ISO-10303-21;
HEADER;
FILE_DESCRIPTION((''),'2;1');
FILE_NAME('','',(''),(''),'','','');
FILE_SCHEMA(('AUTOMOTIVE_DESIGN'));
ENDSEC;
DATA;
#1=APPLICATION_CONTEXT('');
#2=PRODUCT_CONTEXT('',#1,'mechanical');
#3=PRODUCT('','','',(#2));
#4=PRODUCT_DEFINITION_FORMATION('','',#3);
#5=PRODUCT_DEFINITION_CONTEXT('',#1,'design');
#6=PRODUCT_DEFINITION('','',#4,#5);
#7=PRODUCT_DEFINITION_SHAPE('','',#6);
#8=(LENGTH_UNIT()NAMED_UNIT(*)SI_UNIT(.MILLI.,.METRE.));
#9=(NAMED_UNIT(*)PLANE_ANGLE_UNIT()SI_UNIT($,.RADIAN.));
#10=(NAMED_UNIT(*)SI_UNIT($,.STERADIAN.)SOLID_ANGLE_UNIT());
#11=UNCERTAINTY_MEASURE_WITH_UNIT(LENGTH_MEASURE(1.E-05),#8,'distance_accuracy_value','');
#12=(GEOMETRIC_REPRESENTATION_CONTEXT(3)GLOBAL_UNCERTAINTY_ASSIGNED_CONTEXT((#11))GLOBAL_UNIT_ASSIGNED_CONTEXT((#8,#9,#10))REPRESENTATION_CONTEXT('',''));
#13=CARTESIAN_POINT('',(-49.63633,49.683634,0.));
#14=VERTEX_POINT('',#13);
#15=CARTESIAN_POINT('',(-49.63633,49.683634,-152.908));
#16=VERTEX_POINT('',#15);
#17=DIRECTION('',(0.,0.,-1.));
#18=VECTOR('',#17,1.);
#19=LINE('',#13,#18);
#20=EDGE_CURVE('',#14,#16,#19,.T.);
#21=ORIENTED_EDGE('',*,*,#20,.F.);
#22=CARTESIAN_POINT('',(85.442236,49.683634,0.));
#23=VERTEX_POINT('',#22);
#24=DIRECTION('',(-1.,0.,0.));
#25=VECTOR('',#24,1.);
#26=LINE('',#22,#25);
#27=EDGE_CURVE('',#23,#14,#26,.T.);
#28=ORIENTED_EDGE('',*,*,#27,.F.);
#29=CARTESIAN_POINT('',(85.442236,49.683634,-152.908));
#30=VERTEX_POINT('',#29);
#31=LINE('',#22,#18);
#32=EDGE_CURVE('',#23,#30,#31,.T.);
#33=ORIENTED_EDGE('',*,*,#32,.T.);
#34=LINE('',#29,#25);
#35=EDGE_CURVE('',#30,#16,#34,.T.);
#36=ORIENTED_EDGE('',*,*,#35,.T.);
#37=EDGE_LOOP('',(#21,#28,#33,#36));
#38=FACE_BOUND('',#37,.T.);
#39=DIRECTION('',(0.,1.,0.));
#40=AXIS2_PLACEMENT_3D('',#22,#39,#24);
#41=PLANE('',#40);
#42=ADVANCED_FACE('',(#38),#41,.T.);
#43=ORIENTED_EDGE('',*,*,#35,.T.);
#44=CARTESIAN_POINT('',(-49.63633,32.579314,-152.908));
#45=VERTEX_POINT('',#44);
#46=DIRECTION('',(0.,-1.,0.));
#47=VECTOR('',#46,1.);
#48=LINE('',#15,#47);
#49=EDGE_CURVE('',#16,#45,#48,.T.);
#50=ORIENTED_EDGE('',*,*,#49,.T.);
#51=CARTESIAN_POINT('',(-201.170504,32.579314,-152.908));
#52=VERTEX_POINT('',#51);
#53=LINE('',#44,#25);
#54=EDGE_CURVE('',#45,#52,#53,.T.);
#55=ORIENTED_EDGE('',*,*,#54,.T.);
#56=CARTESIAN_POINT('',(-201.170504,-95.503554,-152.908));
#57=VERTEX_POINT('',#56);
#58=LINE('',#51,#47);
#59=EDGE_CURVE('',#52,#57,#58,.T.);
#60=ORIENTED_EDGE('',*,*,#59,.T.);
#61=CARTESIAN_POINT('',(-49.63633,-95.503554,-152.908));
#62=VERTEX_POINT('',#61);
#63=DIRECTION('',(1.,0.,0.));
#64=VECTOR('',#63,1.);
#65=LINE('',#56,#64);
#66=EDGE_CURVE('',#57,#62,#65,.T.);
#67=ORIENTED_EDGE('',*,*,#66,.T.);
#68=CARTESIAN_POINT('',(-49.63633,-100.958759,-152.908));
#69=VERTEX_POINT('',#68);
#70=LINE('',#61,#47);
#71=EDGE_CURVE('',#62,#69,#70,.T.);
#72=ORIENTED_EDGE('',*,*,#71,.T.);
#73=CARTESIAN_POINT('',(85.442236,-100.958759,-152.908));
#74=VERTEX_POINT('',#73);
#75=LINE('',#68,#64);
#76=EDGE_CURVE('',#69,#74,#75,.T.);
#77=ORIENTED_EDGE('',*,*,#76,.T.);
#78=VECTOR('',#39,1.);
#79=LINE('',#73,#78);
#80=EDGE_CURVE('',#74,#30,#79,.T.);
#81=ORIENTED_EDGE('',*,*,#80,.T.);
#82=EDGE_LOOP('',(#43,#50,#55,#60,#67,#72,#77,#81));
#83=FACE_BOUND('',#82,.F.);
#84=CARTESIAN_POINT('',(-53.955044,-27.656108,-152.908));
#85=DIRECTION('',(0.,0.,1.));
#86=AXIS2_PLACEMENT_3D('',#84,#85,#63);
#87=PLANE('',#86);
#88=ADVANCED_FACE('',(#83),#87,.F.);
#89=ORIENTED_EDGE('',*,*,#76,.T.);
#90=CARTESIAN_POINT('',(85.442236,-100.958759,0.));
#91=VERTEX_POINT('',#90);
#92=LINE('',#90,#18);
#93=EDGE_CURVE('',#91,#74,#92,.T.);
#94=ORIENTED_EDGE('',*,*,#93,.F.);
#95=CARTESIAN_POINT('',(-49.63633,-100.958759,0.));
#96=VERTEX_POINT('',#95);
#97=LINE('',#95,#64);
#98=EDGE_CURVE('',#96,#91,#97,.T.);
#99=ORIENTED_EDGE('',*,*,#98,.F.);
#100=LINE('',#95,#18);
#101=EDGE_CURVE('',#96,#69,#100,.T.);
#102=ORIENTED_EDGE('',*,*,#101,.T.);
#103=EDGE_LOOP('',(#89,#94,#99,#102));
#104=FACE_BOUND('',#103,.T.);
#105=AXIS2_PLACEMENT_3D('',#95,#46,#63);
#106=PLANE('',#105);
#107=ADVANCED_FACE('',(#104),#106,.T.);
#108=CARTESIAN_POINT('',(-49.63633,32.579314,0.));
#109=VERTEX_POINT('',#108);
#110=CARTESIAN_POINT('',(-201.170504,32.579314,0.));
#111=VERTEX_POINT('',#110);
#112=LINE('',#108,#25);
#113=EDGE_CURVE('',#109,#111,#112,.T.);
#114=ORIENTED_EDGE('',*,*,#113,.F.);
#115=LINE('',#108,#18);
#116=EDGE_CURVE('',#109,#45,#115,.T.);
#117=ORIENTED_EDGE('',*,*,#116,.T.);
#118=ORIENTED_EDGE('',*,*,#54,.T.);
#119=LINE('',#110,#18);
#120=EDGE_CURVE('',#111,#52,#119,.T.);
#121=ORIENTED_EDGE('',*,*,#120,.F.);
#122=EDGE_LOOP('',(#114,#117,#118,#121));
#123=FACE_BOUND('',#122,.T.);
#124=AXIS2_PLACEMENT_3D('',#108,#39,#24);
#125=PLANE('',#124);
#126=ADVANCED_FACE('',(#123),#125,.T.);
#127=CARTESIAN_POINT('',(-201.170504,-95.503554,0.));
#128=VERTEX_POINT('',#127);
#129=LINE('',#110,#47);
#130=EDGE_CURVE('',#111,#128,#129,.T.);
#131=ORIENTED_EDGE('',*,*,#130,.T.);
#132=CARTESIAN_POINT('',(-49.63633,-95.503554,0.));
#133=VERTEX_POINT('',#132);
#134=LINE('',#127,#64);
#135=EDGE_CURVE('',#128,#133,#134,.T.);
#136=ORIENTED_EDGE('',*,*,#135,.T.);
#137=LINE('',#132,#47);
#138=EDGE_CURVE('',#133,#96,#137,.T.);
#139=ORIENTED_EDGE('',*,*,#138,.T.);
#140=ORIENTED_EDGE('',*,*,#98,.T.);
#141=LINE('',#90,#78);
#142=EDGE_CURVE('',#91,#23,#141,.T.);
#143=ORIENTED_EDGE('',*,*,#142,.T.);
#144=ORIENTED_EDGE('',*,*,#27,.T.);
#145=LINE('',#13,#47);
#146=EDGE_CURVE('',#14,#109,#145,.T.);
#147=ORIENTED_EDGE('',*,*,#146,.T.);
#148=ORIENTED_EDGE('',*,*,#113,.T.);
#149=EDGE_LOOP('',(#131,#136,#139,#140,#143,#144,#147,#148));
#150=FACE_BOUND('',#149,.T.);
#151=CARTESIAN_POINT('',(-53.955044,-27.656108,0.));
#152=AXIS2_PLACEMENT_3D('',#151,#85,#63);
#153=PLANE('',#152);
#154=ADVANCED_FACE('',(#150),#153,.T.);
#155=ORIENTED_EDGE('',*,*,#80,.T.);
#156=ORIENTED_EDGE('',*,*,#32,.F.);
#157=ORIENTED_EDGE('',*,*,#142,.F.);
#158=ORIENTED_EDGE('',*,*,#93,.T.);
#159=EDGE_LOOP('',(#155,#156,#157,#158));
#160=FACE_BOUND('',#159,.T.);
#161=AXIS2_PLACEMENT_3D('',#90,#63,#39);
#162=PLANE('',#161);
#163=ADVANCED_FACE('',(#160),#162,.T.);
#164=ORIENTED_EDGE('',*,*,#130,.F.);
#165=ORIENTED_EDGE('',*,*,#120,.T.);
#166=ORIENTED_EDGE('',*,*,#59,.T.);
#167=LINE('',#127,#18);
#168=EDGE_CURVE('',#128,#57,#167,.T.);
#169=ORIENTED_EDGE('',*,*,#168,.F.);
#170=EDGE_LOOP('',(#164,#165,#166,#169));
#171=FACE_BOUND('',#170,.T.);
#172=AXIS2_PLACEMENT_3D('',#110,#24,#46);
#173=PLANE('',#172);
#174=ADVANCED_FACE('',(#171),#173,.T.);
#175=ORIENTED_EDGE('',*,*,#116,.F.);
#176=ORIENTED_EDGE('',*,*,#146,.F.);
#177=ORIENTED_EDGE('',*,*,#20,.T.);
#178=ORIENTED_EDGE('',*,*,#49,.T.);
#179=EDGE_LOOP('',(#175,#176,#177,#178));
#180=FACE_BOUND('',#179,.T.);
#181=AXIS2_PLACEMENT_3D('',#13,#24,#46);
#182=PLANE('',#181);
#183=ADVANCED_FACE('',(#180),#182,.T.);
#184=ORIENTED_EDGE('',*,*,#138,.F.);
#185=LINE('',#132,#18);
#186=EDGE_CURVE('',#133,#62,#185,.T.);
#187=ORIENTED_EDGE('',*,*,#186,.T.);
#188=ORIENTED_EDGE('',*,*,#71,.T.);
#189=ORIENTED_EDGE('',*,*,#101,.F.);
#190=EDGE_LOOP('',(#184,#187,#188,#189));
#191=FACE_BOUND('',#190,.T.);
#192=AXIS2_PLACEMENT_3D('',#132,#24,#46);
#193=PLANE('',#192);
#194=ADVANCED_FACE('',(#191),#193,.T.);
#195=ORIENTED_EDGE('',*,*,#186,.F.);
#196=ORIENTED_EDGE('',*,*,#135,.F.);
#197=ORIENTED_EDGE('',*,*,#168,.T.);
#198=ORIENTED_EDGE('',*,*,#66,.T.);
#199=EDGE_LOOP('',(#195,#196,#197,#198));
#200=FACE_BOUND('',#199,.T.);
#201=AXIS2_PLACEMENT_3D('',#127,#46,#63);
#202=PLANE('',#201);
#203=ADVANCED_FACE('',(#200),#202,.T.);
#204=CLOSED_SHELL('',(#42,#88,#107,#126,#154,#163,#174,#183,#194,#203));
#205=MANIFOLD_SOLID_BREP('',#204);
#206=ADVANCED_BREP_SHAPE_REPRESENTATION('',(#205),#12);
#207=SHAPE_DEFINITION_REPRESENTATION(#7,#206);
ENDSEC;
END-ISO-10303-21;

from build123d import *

# Parameters (mm, degrees)
F1_DEPTH = 152.908


with BuildPart() as f1:
    # F0 (on Top) → F1 (new body)
    with BuildSketch(Plane.XY):
        Polygon((-49.63633, 32.579314), (-201.170504, 32.579314), (-201.170504, -35.787358), (-201.170504, -65.645456), (-201.170504, -95.503554), (-49.63633, -95.503554), (-49.63633, -100.958759), (85.442236, -100.958759), (85.442236, 49.683634), (-49.63633, 49.683634), align=None)
    extrude(amount=-F1_DEPTH)


solid = f1.part
